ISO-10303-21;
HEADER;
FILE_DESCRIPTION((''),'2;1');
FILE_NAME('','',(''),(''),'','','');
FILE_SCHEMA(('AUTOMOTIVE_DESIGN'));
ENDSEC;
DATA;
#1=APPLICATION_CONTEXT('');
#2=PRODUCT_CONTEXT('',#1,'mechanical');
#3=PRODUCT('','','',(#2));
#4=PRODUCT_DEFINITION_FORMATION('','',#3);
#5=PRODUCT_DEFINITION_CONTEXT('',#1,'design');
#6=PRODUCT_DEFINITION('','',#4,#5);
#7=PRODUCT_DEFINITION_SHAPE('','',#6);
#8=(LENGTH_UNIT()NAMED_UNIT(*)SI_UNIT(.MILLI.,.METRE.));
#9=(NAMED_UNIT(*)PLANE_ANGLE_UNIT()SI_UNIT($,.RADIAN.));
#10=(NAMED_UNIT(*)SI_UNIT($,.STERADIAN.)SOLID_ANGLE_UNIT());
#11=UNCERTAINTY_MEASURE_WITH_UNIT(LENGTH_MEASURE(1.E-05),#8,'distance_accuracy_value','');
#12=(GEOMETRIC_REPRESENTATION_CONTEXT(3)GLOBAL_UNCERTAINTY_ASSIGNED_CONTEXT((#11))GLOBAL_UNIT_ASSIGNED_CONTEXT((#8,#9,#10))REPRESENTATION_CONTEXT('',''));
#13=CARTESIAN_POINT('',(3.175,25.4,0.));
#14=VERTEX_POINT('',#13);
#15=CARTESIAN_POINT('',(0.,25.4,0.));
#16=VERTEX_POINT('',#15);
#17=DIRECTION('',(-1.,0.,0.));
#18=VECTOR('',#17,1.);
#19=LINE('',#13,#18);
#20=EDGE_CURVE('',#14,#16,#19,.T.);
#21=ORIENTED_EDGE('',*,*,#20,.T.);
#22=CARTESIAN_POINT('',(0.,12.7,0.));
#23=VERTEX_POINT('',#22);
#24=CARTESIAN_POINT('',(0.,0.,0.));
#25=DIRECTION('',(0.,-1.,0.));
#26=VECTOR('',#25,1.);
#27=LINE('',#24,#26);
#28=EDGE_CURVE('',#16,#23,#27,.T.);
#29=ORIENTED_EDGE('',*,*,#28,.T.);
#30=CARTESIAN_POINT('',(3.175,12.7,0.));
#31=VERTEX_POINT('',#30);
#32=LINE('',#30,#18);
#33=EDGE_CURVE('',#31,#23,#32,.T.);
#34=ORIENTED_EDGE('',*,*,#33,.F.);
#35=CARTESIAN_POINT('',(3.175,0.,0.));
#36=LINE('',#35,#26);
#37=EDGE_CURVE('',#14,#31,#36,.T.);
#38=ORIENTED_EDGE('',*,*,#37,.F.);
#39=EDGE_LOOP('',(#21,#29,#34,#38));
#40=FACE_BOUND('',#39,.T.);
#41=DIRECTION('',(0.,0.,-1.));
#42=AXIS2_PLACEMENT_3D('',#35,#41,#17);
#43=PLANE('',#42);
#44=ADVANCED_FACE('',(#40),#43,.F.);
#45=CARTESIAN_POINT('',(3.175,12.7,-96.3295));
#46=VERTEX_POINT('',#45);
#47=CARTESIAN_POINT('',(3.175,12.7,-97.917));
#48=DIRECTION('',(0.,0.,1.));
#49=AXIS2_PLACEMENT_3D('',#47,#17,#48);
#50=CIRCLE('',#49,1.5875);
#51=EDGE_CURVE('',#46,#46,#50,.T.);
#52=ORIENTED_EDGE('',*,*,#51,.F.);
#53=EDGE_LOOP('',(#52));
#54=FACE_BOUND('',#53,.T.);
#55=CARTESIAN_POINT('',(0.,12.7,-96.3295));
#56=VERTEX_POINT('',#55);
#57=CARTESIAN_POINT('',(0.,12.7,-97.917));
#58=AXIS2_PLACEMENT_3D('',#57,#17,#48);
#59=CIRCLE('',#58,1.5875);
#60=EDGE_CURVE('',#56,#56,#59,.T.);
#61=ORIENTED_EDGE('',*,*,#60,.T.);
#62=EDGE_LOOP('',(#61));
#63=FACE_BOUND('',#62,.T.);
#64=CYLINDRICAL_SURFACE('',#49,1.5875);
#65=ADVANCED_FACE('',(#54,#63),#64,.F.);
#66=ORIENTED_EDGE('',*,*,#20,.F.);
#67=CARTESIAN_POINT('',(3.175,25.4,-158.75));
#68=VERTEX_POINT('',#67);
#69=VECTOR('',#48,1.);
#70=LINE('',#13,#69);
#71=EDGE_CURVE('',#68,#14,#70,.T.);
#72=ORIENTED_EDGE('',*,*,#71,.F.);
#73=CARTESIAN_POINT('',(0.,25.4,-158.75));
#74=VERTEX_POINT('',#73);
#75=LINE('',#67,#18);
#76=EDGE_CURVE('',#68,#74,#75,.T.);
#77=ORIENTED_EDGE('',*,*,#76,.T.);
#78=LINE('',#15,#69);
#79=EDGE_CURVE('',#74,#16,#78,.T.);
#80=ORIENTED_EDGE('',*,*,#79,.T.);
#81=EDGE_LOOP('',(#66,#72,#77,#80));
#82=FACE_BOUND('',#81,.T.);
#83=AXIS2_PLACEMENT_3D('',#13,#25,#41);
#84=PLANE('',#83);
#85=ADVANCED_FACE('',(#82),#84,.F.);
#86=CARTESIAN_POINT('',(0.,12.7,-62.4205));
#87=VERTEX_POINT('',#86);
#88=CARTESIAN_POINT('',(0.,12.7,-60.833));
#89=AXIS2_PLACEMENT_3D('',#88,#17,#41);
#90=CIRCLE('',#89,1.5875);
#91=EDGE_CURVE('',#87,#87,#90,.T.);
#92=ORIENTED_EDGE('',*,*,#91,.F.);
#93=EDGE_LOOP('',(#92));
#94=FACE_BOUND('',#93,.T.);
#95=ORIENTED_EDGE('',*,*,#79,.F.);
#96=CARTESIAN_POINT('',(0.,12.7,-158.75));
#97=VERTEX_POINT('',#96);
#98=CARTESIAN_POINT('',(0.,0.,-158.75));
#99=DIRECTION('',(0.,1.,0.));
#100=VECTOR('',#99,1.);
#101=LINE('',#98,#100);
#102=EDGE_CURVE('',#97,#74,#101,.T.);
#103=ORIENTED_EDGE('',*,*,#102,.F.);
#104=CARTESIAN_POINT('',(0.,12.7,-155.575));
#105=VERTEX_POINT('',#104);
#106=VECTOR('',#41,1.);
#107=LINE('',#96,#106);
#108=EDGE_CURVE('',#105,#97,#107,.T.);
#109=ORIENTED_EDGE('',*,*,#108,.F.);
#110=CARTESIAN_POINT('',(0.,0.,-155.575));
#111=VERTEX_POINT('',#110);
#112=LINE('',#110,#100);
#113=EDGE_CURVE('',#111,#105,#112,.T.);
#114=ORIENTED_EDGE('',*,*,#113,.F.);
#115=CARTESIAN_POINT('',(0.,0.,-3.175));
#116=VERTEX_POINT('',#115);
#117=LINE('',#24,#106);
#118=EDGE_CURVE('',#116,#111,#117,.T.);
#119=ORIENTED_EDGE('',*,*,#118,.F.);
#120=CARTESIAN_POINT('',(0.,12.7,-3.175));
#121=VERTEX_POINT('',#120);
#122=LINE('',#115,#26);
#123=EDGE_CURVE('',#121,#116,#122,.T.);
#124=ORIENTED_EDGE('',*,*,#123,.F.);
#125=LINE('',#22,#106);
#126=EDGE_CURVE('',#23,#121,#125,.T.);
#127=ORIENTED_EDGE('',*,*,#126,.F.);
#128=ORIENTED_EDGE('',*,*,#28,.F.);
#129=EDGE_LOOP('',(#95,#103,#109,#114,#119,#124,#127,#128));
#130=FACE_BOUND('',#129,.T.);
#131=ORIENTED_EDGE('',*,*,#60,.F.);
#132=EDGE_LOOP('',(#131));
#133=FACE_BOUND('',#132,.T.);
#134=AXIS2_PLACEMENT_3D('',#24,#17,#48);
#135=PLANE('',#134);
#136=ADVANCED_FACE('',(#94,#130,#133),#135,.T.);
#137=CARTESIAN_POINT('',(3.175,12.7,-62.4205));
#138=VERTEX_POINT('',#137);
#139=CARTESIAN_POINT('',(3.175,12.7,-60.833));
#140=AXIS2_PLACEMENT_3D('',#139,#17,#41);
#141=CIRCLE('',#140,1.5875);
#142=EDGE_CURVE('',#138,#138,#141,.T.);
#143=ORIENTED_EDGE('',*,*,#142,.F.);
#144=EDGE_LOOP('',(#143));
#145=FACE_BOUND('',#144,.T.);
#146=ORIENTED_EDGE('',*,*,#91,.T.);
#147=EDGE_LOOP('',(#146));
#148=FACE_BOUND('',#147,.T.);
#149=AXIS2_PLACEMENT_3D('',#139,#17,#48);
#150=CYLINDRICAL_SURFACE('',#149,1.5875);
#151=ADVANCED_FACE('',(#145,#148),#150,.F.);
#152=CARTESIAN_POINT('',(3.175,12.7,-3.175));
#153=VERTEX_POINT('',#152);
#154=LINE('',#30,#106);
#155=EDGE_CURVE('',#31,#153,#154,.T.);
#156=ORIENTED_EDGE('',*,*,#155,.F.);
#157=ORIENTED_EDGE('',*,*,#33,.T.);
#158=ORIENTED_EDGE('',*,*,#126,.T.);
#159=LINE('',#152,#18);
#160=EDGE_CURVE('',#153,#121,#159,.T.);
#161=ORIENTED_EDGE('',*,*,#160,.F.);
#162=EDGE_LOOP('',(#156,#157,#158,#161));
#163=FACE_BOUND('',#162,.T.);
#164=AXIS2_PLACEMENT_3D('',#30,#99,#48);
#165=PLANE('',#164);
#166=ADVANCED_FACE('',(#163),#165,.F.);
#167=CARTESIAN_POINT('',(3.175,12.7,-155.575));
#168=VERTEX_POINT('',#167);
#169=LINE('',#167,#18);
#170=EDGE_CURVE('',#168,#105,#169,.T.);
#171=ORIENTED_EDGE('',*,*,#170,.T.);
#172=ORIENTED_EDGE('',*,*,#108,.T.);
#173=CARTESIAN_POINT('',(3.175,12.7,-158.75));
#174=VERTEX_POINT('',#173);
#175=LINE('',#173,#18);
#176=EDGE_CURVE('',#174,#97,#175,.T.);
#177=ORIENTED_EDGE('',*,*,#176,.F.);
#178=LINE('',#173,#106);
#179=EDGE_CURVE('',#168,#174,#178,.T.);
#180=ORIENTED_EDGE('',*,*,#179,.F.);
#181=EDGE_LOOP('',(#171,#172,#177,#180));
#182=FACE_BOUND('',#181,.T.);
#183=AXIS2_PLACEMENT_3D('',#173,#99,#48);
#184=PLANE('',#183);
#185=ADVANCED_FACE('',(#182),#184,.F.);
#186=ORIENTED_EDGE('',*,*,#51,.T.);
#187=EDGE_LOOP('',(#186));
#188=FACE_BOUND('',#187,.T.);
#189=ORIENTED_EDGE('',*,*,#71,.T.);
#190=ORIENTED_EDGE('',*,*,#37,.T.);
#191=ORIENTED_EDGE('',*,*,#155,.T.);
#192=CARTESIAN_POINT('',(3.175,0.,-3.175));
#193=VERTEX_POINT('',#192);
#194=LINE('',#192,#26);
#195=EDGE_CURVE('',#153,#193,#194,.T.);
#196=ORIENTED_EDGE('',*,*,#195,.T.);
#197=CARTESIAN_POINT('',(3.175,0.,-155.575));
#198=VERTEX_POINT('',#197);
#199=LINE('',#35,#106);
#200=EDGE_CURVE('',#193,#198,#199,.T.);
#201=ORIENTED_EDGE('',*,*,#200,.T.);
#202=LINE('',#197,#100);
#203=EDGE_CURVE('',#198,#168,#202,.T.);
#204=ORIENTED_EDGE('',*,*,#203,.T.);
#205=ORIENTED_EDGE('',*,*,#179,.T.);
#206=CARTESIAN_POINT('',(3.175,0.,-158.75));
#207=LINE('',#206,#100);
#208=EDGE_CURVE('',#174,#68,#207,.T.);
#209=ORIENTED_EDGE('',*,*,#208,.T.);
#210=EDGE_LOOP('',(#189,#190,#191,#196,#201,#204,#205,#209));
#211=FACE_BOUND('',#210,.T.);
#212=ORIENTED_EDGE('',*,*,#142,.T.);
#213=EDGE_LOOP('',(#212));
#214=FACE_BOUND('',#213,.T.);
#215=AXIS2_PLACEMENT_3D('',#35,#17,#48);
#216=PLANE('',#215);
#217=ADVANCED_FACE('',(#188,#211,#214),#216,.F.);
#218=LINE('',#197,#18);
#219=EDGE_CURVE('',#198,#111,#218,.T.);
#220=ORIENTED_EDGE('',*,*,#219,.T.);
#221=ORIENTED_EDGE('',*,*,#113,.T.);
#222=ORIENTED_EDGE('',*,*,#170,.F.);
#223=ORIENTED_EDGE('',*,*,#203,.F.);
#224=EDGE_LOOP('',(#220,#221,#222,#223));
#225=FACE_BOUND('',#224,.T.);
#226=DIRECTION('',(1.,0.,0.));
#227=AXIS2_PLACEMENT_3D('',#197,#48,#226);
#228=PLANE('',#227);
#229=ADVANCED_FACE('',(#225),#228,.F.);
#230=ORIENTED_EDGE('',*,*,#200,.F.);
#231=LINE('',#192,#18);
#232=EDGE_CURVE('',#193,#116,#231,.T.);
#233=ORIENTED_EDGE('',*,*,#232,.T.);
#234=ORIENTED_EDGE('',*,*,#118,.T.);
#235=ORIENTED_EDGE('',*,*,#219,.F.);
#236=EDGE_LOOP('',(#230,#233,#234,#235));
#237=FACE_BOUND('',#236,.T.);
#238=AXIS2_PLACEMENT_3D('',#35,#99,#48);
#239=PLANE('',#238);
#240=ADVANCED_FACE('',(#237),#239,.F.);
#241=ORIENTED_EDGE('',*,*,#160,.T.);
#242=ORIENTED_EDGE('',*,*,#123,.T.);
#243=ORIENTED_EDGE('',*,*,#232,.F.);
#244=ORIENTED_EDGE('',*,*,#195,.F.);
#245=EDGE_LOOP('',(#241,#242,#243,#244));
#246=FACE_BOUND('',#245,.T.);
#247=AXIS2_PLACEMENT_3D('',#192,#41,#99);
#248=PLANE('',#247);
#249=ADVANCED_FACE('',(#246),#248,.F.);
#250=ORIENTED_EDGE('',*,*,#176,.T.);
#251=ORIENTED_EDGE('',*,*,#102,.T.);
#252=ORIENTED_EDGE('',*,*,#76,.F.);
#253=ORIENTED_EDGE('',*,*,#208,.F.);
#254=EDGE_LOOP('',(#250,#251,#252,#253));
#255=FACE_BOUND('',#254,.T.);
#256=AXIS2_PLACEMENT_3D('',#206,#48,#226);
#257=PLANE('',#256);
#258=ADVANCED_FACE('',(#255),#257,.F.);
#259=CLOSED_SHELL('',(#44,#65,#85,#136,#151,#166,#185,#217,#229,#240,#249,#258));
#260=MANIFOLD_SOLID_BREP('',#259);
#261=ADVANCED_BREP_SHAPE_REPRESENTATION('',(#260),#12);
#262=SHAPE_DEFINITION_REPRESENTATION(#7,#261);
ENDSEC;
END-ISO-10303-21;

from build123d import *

# Parameters (mm, degrees)
SKETCH1_W           = 158.75
SKETCH1_H           = 25.4
BOSS_EXTRUDE1_DEPTH = 3.175
SKETCH2_R           = 1.5875
SKETCH2_W           = 3.175
SKETCH2_H           = 12.7
CUT_EXTRUDE1_DEPTH  = 4.175


with BuildPart() as part:
    # Sketch1 → Boss-Extrude1 (new body)
    with BuildSketch(Plane(origin=(0, 0, 0), x_dir=(0, 0, -1), z_dir=(1, 0, 0))):
        with Locations((79.375, 12.7)):
            Rectangle(SKETCH1_W, SKETCH1_H)
    extrude(amount=BOSS_EXTRUDE1_DEPTH)

    # Sketch2 → Cut-Extrude1 (cut, through all)
    with BuildSketch(Plane.ZY):
        with Locations((-97.917, 12.7)):
            Circle(SKETCH2_R)
        with Locations((-60.833, 12.7)):
            Circle(SKETCH2_R)
        with Locations((-1.5875, 6.35)):
            Rectangle(SKETCH2_W, SKETCH2_H)
        with Locations((-157.1625, 6.35)):
            Rectangle(SKETCH2_W, SKETCH2_H)
    extrude(amount=-CUT_EXTRUDE1_DEPTH, mode=Mode.SUBTRACT)


solid = part.part
